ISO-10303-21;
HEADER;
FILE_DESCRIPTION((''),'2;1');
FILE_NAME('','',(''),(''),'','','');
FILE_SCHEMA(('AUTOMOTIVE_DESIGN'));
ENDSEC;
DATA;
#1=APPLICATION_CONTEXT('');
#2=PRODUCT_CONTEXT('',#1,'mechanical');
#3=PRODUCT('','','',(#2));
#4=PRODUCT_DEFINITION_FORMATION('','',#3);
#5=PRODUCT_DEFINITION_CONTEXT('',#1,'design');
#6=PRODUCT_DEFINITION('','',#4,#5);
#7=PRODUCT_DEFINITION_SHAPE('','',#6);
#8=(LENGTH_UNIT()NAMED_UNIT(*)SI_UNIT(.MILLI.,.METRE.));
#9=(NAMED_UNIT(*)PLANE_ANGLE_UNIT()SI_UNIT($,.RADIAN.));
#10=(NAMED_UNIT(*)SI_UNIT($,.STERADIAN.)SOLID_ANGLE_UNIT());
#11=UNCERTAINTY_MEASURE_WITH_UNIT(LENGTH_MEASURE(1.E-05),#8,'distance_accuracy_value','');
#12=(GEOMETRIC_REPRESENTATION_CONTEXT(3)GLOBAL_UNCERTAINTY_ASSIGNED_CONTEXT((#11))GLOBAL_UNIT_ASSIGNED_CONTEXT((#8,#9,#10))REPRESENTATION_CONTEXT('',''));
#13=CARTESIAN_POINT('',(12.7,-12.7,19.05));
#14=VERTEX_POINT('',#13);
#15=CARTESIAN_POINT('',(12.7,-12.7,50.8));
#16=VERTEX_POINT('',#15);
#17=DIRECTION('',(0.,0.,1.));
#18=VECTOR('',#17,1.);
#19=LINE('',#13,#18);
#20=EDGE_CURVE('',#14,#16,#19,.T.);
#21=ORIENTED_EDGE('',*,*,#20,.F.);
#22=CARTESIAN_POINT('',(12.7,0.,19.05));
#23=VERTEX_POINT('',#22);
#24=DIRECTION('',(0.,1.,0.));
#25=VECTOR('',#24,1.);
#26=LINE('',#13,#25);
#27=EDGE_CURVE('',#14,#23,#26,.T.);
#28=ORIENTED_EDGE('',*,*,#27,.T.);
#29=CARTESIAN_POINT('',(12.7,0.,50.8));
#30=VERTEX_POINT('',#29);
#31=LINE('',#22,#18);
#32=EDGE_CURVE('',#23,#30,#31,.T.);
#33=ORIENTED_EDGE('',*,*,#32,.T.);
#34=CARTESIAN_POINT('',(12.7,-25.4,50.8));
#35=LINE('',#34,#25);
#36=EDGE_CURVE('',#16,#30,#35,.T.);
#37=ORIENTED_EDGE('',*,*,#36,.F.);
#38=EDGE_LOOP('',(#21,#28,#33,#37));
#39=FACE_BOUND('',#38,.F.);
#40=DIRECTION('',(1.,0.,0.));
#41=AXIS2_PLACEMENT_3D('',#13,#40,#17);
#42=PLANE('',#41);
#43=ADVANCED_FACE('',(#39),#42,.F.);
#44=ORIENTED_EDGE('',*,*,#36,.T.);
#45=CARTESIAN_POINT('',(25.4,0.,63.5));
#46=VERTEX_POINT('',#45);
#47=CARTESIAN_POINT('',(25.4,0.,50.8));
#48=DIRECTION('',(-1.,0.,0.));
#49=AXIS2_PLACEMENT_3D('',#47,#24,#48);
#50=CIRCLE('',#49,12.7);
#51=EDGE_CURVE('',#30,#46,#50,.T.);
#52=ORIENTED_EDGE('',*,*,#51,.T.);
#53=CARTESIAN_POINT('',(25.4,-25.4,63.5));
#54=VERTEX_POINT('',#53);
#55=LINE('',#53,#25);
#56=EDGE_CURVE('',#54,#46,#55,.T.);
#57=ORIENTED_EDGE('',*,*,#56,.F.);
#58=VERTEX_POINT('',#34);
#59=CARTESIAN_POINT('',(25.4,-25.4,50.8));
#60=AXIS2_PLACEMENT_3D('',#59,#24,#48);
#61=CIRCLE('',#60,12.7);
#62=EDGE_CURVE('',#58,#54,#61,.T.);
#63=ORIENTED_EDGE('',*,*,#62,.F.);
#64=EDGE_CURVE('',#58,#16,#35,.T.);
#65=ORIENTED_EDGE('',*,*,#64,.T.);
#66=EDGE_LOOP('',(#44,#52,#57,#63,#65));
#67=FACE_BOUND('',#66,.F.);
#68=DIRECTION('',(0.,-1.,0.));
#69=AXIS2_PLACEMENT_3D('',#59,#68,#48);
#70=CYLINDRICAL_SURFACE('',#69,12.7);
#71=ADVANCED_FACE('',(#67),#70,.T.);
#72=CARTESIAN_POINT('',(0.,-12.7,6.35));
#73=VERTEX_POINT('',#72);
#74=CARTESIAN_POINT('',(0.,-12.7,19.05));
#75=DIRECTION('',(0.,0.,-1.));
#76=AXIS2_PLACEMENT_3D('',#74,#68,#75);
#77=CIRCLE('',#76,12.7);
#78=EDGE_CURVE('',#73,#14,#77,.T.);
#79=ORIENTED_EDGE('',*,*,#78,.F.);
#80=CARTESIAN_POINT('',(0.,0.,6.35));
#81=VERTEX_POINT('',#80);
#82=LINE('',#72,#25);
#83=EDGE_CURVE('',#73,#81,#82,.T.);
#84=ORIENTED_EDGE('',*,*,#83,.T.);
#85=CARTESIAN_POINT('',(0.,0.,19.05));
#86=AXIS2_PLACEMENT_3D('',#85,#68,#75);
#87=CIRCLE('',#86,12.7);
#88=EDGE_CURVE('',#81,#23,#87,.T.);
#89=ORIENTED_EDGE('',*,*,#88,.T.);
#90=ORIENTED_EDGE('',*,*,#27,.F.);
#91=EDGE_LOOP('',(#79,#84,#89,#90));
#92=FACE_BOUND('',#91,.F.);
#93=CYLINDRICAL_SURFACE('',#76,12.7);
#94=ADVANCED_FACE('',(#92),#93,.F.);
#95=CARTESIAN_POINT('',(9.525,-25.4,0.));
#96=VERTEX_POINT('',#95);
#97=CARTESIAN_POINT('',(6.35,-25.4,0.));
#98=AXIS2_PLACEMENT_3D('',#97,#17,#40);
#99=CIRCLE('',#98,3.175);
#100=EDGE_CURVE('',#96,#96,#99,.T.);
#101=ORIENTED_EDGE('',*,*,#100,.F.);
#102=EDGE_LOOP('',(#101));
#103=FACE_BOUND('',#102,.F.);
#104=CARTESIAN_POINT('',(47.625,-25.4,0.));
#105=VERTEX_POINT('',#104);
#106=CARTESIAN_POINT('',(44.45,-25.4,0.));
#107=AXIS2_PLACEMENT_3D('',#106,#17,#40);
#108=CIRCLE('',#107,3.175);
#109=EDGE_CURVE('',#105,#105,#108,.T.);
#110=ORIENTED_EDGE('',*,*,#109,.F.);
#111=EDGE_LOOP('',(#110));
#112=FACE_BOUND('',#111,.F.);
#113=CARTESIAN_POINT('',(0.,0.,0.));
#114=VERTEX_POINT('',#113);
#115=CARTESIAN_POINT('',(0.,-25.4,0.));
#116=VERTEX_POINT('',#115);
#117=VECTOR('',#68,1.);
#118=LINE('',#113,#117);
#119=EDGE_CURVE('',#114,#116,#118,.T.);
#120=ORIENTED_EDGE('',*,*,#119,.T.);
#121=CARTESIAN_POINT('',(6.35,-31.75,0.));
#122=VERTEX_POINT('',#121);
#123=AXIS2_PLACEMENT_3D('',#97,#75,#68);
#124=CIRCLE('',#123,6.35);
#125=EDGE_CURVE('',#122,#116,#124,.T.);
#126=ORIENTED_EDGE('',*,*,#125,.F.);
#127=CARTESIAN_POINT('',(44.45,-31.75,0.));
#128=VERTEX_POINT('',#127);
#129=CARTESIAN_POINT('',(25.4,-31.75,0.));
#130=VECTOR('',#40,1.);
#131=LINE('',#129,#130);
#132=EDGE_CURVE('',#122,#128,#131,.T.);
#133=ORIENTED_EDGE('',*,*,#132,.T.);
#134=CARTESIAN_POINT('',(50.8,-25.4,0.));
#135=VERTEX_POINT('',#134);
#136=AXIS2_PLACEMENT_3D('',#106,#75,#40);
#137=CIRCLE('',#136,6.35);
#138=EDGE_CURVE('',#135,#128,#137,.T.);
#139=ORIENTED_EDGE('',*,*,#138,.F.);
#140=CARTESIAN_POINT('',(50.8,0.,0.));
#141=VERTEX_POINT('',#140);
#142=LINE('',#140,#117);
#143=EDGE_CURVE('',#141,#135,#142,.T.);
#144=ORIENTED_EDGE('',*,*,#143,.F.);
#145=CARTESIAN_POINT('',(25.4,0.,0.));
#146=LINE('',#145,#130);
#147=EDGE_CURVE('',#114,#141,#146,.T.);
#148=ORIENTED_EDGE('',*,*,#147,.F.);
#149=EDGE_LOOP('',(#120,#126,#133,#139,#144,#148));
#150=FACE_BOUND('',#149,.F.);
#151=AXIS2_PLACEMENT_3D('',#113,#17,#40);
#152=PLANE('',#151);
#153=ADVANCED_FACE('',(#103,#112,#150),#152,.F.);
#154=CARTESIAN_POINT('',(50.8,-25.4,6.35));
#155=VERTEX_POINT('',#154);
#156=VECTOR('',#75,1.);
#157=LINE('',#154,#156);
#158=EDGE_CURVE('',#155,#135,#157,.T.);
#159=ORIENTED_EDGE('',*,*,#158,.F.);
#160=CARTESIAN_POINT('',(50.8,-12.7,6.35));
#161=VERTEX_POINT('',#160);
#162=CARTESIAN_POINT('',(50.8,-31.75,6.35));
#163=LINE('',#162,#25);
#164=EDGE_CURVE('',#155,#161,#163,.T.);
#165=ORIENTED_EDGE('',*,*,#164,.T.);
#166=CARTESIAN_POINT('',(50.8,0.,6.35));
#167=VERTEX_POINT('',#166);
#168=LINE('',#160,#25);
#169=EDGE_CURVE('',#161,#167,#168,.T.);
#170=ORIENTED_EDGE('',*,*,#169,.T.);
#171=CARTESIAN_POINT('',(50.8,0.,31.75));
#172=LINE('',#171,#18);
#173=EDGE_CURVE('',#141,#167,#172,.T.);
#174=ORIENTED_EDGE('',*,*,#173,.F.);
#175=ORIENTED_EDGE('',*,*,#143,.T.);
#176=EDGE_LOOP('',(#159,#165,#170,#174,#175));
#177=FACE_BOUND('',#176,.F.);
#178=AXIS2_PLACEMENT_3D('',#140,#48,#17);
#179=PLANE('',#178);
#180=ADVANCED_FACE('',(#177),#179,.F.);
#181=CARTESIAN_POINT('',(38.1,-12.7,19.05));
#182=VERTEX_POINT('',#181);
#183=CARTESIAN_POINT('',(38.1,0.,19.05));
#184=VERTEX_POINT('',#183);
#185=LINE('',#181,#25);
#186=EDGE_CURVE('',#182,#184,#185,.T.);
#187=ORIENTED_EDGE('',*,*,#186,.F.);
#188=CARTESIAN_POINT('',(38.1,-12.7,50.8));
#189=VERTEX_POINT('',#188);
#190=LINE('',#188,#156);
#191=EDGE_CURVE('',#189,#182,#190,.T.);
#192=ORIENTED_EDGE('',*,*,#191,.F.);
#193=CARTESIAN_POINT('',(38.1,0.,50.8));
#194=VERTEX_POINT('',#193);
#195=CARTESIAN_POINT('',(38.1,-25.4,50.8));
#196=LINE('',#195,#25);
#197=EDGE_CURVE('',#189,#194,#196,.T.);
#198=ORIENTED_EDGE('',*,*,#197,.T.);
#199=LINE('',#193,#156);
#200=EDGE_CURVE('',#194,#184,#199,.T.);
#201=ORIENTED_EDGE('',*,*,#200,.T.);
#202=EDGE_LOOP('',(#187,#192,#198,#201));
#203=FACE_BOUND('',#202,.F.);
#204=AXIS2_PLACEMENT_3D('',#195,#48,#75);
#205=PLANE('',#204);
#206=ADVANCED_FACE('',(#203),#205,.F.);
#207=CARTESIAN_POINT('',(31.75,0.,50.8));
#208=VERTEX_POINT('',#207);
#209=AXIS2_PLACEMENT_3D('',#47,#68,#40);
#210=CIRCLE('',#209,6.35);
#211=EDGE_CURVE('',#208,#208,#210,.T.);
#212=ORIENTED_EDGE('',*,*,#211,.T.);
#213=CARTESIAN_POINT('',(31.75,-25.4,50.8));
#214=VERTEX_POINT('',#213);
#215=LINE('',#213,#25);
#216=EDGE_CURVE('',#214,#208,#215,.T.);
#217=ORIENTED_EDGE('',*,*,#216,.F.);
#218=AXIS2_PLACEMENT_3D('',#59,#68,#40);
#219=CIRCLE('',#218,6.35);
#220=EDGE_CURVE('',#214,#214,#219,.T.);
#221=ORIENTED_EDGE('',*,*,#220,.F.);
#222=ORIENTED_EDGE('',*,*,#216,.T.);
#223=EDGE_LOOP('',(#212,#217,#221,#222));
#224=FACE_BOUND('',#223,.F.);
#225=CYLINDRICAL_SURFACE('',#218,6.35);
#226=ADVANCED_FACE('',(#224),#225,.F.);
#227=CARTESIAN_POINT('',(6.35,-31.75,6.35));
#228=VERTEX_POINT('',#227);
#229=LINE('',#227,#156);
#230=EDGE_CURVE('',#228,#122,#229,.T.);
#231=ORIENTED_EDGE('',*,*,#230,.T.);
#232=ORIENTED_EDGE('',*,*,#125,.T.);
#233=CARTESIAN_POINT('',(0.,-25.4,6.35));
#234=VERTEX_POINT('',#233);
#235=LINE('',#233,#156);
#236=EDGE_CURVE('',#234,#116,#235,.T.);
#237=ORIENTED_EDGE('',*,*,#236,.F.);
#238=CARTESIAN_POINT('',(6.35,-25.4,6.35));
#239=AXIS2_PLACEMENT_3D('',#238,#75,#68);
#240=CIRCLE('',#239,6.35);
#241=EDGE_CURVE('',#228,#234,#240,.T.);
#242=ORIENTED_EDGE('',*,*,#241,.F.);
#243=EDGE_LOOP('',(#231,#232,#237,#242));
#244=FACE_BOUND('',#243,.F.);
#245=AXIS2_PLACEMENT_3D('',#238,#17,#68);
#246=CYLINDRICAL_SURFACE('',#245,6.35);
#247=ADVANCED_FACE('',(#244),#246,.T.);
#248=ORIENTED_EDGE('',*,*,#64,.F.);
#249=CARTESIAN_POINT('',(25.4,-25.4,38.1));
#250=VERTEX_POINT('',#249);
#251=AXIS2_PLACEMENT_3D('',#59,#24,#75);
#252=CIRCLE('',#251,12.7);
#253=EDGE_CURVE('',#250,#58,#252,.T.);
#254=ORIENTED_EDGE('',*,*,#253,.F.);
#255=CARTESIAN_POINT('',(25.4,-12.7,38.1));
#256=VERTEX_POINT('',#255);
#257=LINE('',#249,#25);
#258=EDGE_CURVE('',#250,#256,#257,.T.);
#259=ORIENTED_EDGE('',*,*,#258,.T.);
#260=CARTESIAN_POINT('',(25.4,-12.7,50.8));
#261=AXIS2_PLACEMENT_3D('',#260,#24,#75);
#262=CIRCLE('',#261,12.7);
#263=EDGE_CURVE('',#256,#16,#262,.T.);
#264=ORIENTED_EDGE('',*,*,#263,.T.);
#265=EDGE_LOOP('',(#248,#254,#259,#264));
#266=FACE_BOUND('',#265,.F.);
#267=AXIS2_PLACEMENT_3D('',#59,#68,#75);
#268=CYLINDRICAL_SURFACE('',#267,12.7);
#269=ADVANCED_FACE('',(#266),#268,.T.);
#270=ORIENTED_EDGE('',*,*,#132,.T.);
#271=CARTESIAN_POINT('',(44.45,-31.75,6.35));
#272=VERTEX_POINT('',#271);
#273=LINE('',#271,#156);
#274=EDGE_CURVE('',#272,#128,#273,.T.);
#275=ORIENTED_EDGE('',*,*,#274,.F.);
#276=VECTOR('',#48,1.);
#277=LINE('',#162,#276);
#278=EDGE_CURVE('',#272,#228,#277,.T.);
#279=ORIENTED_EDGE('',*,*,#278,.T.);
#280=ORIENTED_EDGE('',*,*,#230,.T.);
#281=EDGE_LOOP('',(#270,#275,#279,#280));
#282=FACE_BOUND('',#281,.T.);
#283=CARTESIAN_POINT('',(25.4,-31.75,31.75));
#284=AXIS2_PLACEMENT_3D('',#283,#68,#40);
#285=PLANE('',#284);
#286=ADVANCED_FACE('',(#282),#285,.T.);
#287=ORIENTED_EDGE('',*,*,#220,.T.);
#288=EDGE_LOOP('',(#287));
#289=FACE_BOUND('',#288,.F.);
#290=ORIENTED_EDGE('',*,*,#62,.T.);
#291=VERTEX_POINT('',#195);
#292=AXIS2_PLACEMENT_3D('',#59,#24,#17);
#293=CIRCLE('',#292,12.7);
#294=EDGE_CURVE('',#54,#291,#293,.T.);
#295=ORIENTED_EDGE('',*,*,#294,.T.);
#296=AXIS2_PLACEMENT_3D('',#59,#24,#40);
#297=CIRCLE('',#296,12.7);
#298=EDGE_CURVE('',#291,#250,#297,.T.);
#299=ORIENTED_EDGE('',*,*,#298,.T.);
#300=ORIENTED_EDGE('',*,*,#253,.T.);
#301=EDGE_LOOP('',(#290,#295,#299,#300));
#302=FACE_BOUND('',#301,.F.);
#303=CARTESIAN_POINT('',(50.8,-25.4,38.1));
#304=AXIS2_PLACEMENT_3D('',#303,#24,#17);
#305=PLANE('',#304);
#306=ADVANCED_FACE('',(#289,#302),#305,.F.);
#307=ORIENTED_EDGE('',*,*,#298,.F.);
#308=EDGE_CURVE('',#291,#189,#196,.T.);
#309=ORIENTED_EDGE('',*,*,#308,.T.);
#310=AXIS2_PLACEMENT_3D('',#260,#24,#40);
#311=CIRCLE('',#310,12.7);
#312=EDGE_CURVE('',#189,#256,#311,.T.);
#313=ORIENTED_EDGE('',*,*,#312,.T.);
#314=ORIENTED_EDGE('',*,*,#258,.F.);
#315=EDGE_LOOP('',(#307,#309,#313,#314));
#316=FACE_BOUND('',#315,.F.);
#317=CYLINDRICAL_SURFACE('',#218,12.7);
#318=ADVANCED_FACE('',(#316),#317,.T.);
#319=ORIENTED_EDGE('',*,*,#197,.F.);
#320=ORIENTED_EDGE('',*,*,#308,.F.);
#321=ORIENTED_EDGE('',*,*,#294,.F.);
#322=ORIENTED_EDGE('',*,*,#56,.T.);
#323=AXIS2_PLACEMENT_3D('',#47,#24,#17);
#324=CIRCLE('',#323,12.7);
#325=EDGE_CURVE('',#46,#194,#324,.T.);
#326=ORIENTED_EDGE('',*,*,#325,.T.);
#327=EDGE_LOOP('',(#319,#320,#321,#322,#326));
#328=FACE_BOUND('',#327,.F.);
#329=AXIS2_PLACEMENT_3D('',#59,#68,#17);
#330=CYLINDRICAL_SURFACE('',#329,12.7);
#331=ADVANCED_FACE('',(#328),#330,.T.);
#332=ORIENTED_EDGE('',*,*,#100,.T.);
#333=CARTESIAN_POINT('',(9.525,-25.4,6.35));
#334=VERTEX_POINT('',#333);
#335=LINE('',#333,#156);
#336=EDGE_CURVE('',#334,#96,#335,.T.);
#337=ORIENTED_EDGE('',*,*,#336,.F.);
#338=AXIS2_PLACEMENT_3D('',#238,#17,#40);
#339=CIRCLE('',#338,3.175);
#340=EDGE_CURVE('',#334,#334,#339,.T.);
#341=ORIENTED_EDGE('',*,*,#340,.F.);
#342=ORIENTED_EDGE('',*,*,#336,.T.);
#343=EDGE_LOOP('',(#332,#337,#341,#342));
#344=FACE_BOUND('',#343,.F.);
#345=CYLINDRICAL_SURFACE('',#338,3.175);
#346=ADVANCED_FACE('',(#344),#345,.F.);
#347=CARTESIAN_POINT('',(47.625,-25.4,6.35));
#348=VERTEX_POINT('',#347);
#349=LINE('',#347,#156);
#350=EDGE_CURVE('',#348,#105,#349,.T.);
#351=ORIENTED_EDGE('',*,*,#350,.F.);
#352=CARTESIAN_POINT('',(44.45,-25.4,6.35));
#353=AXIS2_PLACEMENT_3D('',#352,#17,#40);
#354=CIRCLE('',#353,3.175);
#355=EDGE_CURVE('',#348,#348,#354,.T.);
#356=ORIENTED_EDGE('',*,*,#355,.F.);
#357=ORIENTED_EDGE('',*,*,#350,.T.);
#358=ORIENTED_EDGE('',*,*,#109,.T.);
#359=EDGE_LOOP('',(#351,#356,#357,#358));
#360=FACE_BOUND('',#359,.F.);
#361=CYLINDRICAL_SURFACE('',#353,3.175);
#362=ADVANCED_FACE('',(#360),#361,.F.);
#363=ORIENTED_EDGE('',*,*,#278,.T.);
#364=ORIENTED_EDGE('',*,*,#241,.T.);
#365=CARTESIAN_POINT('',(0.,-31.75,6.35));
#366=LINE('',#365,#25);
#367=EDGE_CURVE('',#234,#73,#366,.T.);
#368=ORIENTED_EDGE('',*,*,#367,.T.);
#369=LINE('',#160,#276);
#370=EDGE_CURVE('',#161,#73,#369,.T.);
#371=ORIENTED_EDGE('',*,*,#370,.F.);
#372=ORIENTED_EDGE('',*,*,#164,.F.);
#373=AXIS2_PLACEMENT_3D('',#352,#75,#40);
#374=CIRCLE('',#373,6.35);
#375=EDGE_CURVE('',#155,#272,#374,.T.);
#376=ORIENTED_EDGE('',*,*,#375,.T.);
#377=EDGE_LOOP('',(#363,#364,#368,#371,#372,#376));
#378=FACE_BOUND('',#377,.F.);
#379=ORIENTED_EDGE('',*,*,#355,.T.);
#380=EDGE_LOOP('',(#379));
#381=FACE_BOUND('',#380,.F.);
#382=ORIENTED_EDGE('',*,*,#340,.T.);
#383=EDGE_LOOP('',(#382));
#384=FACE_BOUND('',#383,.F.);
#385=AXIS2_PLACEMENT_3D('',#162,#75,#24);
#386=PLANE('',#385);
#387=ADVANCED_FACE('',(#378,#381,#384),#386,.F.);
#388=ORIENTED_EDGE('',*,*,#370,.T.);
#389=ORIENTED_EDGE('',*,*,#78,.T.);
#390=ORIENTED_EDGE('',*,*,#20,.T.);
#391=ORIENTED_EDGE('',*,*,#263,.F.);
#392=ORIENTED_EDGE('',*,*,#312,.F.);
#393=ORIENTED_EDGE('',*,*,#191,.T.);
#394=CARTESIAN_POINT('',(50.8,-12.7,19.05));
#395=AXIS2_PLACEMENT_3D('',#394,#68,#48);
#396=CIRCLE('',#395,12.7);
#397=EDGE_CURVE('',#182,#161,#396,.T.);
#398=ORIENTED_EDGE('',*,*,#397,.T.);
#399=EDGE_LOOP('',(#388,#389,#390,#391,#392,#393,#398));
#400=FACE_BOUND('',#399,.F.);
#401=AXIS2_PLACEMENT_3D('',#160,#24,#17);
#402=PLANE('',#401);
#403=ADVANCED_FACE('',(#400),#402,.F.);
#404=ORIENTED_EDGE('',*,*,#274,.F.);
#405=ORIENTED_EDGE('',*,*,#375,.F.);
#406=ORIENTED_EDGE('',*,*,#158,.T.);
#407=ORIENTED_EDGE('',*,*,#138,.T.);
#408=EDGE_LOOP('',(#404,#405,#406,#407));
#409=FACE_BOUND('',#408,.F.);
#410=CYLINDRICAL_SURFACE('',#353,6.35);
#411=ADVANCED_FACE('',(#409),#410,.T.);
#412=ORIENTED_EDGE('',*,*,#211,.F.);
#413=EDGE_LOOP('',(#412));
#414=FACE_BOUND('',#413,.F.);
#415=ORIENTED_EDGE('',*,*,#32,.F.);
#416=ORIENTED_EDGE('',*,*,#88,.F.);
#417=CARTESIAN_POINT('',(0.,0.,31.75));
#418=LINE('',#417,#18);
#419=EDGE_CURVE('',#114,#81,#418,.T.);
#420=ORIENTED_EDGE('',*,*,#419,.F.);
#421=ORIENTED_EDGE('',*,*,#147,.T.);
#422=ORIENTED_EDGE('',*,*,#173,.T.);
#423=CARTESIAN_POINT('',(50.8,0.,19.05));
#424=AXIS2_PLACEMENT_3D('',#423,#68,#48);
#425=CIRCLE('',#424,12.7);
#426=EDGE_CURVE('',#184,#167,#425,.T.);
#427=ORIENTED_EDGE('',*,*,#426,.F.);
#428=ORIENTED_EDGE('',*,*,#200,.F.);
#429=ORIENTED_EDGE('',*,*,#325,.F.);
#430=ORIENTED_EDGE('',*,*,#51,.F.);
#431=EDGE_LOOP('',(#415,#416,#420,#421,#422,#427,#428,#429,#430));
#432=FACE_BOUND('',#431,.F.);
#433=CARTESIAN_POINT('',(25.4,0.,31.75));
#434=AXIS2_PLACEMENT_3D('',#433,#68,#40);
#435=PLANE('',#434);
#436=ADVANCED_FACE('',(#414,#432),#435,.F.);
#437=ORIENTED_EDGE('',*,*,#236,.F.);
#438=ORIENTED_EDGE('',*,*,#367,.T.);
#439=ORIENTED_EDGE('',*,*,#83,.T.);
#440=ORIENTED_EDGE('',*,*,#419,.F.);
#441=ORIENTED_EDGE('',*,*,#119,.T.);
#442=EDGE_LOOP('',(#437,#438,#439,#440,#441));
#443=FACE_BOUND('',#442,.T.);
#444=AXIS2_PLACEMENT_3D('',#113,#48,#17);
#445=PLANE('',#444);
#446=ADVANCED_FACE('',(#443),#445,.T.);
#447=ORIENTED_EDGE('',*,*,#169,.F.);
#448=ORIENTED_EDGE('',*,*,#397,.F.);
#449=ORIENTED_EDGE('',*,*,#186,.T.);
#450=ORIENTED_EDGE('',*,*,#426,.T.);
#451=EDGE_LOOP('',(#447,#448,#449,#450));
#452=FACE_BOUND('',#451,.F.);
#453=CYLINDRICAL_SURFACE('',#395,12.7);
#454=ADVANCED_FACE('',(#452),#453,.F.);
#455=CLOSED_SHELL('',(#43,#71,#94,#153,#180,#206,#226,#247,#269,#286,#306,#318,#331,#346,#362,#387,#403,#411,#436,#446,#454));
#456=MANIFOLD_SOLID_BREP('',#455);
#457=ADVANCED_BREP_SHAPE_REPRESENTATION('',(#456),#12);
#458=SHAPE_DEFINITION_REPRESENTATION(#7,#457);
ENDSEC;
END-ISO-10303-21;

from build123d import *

# Parameters (mm, degrees)
F0_W      = 50.8
F0_H      = 63.5
F1_DEPTH  = 31.75
F3_DEPTH  = 50.8
F5_DEPTH  = 12.7
F7_DEPTH  = 12.7
F6_R      = 6.35
F8_DEPTH  = 25.4
F9_R      = 3.175
F10_DEPTH = 6.35


with BuildPart() as f1:
    # F0 (on Front) → F1 (new body)
    with BuildSketch(Plane.XZ):
        with Locations((25.4, 31.75)):
            Rectangle(F0_W, F0_H)
    extrude(amount=F1_DEPTH)

    # F2 (on face) → F3 (cut)
    with BuildSketch(Plane.YZ.offset(50.8)):
        Polygon((-31.75, 63.5), (-31.75, 6.35), (-12.7, 6.35), (-12.7, 38.1), (-25.4, 38.1), (-25.4, 63.5), align=None)
    extrude(amount=-F3_DEPTH, mode=Mode.SUBTRACT)

    # F4 (on face) → F5 (cut)
    with BuildSketch(Plane.XZ.offset(12.7)):
        with BuildLine():
            Line((12.7, 19.05), (12.7, 38.1))
            Line((12.7, 38.1), (0, 38.1))
            Line((0, 38.1), (0, 6.35))
            ThreePointArc((0, 6.35), (8.9802561211, 10.0697438789), (12.7, 19.05))
        make_face()
        with BuildLine():
            Line((50.8, 6.35), (50.8, 38.1))
            Line((50.8, 38.1), (38.1, 38.1))
            Line((38.1, 38.1), (38.1, 19.05))
            ThreePointArc((38.1, 19.05), (41.8197438789, 10.0697438789), (50.8, 6.35))
        make_face()
    extrude(amount=-F5_DEPTH, mode=Mode.SUBTRACT)

    # F6 (on face) → F7 (cut)
    with BuildSketch(Plane.XZ.offset(25.4)):
        with BuildLine():
            ThreePointArc((38.1, 50.8), (34.3802561211, 41.8197438789), (25.4, 38.1))
            Line((25.4, 38.1), (38.1, 38.1))
            Line((38.1, 38.1), (38.1, 50.8))
        make_face()
        with BuildLine():
            Line((12.7, 50.8), (12.7, 38.1))
            Line((12.7, 38.1), (25.4, 38.1))
            ThreePointArc((25.4, 38.1), (16.4197438789, 41.8197438789), (12.7, 50.8))
        make_face()
    extrude(amount=-F7_DEPTH, mode=Mode.SUBTRACT)

    # F6 (on face) → F8 (cut)
    with BuildSketch(Plane.XZ.offset(25.4)):
        with Locations((25.4, 50.8)):
            Circle(F6_R)
        Polygon((0, 63.5), (0, 38.1), (12.7, 38.1), (12.7, 50.8), (12.7, 63.5), align=None)
        Polygon((38.1, 63.5), (38.1, 50.8), (38.1, 38.1), (50.8, 38.1), (50.8, 63.5), align=None)
        with BuildLine():
            Line((38.1, 63.5), (25.4, 63.5))
            ThreePointArc((25.4, 63.5), (34.3802561211, 59.7802561211), (38.1, 50.8))
            Line((38.1, 50.8), (38.1, 63.5))
        make_face()
        with BuildLine():
            Line((12.7, 63.5), (12.7, 50.8))
            ThreePointArc((12.7, 50.8), (16.4197438789, 59.7802561211), (25.4, 63.5))
            Line((25.4, 63.5), (12.7, 63.5))
        make_face()
    extrude(amount=-F8_DEPTH, mode=Mode.SUBTRACT)

    # F9 (on face) → F10 (cut)
    with BuildSketch(Plane.XY.offset(6.35)):
        with Locations((6.35, -25.4)):
            Circle(F9_R)
        with Locations((44.45, -25.4)):
            Circle(F9_R)
        with BuildLine():
            ThreePointArc((6.35, -31.75), (1.8598719395, -29.8901280605), (0, -25.4))
            Line((0, -25.4), (0, -31.75))
            Line((0, -31.75), (6.35, -31.75))
        make_face()
        with BuildLine():
            ThreePointArc((50.8, -25.4), (48.9401280605, -29.8901280605), (44.45, -31.75))
            Line((44.45, -31.75), (50.8, -31.75))
            Line((50.8, -31.75), (50.8, -25.4))
        make_face()
    extrude(amount=-F10_DEPTH, mode=Mode.SUBTRACT)


solid = f1.part
